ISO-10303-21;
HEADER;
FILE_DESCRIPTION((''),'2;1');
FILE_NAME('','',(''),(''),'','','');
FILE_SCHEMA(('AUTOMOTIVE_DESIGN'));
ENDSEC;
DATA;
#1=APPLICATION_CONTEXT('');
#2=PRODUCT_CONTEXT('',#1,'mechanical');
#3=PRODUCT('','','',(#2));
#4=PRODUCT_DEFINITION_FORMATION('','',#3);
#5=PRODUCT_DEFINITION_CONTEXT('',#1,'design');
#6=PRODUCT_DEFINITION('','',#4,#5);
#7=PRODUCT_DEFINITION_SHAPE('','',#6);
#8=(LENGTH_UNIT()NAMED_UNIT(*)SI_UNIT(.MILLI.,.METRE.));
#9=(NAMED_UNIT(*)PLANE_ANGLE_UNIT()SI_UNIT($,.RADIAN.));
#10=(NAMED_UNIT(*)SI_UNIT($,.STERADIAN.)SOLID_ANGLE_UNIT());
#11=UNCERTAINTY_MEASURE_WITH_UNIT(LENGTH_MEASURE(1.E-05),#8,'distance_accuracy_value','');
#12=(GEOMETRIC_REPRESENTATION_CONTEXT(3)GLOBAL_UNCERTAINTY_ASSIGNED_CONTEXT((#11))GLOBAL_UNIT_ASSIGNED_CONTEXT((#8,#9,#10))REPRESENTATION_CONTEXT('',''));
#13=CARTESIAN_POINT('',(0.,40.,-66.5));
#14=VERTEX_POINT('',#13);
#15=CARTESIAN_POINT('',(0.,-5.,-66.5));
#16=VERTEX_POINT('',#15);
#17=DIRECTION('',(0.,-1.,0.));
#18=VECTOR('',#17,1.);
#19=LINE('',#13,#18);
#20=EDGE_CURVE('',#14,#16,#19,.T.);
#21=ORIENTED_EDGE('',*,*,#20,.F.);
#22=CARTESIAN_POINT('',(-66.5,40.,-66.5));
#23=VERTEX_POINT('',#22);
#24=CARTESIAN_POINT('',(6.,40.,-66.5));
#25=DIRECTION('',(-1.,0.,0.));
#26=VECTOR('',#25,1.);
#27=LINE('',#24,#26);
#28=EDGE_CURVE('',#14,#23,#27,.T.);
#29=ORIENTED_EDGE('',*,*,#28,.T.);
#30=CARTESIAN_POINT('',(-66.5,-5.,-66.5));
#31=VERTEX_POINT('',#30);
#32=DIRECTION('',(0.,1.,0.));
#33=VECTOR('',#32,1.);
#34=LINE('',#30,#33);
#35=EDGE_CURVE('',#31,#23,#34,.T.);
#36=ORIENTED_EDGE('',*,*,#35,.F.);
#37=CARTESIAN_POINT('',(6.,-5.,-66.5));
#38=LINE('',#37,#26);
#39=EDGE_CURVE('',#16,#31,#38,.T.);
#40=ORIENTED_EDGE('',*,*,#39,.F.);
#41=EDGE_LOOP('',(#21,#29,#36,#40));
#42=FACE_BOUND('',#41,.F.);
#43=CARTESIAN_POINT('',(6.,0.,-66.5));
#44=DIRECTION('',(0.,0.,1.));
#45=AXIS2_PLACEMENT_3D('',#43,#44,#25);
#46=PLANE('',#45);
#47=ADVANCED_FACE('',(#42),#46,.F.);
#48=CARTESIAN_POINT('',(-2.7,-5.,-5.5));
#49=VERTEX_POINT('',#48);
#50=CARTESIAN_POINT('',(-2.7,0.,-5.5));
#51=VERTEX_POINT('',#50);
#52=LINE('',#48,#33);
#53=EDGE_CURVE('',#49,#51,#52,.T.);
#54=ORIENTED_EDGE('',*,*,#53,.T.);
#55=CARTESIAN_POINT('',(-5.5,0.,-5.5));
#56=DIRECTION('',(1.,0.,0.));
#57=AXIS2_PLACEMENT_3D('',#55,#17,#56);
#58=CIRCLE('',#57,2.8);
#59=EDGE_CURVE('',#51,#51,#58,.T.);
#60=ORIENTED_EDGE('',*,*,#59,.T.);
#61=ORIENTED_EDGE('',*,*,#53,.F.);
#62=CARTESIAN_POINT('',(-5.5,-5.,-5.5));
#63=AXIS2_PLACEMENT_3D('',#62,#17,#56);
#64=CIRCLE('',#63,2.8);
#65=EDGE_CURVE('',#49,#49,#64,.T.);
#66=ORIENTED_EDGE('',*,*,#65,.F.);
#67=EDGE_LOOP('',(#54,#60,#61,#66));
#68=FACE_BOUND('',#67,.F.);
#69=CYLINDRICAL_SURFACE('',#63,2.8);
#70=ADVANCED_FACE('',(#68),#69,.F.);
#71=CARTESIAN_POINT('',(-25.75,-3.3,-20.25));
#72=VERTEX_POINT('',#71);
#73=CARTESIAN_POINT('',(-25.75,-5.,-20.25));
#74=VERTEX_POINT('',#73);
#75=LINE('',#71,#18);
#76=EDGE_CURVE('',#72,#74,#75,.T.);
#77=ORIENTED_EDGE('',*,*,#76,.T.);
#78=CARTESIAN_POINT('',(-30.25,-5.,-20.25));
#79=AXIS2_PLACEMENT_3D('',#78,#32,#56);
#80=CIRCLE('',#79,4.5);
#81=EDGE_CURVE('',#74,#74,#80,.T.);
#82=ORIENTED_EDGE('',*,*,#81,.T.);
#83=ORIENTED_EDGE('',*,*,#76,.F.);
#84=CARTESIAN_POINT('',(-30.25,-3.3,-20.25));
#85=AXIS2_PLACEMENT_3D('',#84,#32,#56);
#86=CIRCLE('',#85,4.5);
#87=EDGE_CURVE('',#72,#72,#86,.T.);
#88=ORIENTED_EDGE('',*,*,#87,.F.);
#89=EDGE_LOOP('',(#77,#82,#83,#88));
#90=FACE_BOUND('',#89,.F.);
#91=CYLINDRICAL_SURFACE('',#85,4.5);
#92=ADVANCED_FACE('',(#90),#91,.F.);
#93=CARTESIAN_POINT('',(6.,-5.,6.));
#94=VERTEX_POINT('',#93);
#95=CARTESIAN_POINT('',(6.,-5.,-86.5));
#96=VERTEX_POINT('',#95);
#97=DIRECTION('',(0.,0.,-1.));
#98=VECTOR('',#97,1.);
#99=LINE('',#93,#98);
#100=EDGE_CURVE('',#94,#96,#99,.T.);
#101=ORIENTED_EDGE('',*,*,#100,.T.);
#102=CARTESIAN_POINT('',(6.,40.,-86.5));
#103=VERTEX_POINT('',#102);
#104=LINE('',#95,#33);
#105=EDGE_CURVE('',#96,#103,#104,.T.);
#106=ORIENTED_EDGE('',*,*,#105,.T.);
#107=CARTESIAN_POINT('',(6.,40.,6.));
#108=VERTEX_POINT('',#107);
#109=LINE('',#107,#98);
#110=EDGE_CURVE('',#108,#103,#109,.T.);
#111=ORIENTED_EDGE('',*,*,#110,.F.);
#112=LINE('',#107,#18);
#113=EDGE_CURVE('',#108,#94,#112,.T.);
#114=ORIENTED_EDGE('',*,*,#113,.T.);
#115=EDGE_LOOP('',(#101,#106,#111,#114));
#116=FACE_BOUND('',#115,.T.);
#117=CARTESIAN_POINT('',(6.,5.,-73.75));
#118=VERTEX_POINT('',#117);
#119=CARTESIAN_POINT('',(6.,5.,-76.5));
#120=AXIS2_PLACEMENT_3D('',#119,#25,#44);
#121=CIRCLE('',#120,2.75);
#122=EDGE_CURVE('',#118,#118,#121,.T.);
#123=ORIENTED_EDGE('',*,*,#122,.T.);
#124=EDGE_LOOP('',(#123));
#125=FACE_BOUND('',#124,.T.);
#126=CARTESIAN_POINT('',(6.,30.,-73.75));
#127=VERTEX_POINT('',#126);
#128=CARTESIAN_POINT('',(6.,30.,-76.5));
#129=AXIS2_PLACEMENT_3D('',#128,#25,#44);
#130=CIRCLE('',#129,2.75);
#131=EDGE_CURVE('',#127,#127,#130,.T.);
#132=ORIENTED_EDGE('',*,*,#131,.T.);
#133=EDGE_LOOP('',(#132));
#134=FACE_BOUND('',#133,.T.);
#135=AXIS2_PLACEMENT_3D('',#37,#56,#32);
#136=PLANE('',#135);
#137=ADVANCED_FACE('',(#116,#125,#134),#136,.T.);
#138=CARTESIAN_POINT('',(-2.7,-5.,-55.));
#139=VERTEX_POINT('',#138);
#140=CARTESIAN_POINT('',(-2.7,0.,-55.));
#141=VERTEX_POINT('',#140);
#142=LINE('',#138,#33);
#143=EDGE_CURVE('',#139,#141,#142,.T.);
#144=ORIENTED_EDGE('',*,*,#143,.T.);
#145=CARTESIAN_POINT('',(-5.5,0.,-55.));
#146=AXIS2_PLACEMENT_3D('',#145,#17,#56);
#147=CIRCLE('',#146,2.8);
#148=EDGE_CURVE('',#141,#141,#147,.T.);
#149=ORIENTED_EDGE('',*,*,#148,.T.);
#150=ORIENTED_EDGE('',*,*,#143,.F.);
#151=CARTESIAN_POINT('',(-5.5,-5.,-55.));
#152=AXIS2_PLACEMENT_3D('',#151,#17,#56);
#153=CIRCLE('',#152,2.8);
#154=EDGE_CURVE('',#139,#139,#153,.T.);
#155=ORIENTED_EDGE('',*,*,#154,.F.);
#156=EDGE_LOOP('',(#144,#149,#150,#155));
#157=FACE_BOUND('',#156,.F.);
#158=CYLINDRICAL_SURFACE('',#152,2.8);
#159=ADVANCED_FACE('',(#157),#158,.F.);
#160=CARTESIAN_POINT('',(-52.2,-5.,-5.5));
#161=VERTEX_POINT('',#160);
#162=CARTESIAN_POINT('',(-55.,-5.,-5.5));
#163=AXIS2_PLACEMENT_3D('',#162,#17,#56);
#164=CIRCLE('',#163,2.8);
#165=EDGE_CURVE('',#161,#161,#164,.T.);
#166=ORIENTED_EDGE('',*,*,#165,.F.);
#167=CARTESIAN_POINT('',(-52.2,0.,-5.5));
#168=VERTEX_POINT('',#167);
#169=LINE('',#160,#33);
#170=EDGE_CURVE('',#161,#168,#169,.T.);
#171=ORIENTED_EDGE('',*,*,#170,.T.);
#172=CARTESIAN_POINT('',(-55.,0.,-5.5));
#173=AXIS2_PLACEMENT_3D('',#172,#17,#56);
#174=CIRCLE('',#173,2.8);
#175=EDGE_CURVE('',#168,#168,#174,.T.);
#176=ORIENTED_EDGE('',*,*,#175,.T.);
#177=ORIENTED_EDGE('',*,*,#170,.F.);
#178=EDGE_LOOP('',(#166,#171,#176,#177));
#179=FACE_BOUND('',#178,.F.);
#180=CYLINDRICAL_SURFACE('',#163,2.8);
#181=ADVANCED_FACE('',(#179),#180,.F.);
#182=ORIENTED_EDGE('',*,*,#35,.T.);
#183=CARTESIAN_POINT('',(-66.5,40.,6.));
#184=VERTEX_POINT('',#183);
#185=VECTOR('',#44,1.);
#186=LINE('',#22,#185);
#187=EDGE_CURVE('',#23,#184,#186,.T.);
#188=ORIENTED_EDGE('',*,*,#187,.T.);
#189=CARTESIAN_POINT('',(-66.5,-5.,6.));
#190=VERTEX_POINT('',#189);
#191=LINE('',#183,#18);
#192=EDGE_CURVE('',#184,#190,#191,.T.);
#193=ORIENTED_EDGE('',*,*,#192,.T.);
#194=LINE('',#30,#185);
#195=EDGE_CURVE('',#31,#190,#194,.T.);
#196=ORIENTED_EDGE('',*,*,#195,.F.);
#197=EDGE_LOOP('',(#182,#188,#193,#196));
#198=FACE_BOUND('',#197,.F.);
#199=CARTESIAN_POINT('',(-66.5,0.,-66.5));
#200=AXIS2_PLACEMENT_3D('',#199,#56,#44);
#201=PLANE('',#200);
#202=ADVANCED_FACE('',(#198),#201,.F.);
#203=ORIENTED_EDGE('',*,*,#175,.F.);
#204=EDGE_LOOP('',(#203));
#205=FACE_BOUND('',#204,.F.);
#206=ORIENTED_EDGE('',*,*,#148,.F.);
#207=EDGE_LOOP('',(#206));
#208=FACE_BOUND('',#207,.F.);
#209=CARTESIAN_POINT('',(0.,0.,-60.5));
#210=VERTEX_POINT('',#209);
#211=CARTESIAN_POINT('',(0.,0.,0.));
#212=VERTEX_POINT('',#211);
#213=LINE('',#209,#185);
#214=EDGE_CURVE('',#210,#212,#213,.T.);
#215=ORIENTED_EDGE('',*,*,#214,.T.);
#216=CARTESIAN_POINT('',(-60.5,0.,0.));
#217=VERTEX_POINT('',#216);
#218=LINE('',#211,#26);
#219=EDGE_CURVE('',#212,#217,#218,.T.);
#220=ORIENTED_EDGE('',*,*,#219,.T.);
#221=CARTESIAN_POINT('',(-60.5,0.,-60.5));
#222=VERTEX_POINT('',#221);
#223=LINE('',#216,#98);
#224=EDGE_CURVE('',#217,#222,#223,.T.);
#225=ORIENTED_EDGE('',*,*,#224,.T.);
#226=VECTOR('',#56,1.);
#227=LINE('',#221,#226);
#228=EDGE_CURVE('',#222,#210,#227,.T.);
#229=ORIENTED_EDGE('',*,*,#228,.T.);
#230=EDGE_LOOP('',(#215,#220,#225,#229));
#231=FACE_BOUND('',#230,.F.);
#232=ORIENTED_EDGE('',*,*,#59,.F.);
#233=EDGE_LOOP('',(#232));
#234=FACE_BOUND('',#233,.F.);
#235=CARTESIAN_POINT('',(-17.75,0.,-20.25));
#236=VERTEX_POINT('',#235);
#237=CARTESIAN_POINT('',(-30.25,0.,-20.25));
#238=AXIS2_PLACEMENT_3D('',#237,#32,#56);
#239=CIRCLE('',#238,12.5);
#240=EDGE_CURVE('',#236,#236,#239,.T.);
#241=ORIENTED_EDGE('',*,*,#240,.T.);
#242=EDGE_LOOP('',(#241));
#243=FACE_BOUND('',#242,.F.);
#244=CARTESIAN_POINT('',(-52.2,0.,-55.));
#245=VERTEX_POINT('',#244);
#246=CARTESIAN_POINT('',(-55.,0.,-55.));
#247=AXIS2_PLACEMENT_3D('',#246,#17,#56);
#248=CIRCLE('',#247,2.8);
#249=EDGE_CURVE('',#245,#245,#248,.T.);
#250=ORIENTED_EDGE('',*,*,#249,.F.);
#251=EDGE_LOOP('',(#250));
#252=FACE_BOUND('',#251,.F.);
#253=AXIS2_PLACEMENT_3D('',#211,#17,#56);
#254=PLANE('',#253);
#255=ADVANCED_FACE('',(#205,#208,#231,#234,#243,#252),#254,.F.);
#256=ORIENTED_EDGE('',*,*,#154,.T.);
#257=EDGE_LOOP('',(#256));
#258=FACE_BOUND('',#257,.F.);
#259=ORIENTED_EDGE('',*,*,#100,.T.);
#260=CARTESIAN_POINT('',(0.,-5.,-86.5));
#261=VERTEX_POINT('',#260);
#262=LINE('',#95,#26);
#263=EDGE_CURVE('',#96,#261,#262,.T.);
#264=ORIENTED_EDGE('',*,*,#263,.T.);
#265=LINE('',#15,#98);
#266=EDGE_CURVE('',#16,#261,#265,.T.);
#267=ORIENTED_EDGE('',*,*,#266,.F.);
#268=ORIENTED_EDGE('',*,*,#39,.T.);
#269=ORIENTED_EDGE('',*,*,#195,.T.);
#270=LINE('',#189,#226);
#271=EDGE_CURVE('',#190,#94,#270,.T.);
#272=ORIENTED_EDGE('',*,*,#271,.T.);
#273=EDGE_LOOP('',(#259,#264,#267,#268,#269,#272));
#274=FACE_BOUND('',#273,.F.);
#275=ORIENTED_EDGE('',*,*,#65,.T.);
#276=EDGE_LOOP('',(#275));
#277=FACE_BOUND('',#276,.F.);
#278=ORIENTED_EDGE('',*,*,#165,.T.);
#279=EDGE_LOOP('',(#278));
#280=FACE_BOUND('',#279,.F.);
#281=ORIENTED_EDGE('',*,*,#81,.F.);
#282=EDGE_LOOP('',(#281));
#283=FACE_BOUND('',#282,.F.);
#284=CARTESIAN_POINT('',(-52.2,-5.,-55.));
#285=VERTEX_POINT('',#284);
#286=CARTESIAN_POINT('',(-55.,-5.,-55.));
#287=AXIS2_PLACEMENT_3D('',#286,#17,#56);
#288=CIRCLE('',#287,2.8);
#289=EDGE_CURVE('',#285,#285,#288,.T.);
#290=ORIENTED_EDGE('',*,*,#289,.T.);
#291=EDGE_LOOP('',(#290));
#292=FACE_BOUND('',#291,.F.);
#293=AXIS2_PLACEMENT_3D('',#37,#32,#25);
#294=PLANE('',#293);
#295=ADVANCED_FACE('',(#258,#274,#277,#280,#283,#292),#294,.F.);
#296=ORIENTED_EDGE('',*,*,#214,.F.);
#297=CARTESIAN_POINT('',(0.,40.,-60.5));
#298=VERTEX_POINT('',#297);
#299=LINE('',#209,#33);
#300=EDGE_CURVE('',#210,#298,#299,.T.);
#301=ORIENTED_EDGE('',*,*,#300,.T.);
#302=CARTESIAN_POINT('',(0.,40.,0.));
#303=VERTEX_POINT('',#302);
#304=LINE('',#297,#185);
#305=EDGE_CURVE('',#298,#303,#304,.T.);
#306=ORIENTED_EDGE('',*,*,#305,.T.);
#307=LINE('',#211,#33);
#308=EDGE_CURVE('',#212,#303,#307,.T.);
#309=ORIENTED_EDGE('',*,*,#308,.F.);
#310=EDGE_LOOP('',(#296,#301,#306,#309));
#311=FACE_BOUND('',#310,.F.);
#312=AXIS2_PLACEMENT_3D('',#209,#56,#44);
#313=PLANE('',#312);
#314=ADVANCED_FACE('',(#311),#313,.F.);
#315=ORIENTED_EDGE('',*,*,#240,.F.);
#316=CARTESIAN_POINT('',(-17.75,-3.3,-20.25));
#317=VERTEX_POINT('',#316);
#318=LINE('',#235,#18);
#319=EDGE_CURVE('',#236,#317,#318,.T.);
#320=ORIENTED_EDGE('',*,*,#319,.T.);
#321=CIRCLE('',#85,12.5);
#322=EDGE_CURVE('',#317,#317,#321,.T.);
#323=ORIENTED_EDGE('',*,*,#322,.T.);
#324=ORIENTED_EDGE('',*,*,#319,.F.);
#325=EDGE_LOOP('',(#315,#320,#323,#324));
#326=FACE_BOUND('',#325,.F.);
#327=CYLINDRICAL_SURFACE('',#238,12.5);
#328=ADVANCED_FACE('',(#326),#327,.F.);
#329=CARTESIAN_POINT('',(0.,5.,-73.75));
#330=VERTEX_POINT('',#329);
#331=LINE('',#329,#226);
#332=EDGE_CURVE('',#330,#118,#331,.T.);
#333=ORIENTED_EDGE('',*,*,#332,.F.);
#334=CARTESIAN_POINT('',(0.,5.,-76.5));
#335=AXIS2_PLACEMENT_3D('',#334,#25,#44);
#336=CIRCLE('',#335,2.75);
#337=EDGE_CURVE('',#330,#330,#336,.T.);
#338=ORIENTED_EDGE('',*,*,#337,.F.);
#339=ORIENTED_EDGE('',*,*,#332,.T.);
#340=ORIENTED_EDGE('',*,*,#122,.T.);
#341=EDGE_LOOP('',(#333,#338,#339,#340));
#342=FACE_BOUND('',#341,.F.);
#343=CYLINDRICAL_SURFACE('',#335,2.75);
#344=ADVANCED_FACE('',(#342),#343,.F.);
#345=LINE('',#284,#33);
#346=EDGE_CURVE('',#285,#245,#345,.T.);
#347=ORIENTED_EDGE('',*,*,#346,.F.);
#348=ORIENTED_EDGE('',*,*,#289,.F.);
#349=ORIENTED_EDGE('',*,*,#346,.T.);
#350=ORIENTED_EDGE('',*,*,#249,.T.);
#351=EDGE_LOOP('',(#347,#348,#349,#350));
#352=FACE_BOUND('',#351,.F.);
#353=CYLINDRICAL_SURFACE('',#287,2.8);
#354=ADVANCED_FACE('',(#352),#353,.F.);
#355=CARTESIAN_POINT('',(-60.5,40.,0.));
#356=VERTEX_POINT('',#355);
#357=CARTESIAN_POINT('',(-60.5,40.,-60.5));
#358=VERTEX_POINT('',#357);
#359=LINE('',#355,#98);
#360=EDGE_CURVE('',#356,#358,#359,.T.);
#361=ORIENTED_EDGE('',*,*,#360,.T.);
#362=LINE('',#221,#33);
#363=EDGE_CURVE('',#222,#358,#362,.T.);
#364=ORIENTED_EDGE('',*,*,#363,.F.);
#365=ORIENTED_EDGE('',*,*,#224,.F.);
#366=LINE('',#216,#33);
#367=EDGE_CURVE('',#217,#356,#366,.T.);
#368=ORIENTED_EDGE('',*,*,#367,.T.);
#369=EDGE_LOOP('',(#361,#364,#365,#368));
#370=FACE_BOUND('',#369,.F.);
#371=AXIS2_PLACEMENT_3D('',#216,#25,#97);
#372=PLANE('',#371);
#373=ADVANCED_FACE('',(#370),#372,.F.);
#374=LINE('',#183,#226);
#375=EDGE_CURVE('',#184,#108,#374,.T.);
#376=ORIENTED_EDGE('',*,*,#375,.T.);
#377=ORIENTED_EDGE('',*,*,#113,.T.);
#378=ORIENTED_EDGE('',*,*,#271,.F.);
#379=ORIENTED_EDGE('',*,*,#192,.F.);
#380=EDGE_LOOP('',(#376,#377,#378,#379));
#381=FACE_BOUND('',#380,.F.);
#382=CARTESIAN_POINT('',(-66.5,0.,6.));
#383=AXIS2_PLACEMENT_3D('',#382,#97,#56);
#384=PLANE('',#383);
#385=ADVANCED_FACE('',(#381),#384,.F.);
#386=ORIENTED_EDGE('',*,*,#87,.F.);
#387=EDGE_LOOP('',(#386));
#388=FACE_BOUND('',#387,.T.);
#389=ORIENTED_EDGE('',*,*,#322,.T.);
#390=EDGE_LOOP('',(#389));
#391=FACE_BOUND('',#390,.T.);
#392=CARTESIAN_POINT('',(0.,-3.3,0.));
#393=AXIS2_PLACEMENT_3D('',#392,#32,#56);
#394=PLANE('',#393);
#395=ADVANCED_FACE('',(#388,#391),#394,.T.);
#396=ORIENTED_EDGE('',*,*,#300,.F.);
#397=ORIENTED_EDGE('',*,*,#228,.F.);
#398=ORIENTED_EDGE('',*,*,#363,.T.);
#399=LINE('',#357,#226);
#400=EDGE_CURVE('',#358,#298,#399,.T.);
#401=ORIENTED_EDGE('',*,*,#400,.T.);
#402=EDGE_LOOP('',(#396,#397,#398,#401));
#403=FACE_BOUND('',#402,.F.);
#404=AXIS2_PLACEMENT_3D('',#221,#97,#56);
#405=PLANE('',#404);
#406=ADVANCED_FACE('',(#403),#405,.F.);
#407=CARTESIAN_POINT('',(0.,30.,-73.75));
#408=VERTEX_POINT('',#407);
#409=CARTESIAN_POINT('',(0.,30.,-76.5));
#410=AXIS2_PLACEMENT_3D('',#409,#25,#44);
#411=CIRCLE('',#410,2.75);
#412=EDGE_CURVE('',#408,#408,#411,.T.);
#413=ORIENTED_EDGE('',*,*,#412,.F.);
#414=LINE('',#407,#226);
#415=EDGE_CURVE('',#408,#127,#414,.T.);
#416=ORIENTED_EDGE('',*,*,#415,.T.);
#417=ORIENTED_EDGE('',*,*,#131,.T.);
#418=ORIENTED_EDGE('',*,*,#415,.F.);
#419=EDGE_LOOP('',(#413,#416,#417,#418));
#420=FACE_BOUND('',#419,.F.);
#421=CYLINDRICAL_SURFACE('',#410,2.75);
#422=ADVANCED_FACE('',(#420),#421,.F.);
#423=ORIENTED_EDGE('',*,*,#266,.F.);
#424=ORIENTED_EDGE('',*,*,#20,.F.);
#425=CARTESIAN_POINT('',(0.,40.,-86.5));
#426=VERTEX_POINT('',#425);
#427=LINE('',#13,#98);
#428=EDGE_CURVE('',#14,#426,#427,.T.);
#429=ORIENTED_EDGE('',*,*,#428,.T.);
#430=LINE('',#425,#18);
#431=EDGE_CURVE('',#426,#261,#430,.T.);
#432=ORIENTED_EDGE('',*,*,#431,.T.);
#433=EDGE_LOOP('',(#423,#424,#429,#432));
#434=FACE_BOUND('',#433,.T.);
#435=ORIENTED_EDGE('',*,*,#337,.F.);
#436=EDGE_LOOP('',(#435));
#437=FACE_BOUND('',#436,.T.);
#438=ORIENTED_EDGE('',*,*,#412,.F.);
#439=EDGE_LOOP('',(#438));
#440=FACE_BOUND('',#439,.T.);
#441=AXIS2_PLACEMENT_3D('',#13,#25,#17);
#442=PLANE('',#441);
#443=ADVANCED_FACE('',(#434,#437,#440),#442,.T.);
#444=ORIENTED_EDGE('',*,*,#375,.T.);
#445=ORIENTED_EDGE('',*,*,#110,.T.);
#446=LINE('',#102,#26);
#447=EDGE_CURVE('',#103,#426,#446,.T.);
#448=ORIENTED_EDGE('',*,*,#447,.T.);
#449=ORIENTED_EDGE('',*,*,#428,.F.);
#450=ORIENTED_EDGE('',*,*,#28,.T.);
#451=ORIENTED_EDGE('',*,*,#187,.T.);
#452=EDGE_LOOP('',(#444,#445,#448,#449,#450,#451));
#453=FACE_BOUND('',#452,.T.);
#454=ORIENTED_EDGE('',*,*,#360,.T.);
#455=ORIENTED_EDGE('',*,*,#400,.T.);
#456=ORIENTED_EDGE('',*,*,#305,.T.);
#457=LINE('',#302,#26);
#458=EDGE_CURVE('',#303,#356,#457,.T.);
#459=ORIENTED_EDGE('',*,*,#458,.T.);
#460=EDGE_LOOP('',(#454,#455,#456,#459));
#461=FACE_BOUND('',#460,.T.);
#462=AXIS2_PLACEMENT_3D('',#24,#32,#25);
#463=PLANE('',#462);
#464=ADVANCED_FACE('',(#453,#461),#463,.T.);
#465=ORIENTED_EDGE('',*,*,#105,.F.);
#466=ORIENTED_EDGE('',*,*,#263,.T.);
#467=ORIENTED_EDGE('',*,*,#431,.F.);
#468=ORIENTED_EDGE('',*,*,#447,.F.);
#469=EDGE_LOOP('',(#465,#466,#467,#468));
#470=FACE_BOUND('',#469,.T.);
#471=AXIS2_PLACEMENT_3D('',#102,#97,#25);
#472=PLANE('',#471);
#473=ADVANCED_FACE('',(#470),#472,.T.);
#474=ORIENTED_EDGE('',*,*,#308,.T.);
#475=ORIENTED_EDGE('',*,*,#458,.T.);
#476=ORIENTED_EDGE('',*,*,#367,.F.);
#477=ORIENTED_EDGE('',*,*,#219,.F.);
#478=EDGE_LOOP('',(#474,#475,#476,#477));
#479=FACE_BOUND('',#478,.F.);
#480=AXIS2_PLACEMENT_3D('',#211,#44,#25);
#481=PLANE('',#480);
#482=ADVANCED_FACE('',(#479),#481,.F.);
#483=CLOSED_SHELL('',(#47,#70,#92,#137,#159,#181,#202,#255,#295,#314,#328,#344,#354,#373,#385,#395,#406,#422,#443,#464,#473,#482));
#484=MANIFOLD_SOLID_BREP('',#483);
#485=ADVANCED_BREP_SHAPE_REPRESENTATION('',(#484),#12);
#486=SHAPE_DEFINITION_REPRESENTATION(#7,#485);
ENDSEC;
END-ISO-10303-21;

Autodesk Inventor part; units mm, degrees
ref_plane "YZ Plane" through (0, 0, 0) normal (1, 0, 0) x (0, 1, 0)
ref_plane "XZ Plane" through (0, 0, 0) normal (0, 1, 0) x (-1, 0, 0)
ref_plane "XY Plane" through (0, 0, 0) normal (0, 0, 1) x (1, 0, 0)
sketch "Sketch1" plane through (0, 0, 0) normal (0, 1, 0) x (-1, 0, 0)
  line L0 (0, 0) -> (60.5, 0)
  line L1 (60.5, 0) -> (60.5, -60.5)
  line L2 (60.5, -60.5) -> (0, -60.5)
  line L3 (0, -60.5) -> (0, 0)
  line L4 (-6, -66.5) -> (66.5, -66.5)
  line L5 (66.5, -66.5) -> (66.5, 6)
  line L6 (66.5, 6) -> (-6, 6)
  line L7 (-6, 6) -> (-6, -66.5)
  dimension "d0" = 60.5
  dimension "d1" = 60.5
  dimension "d2" = 6
extrude "Extrusion1" add sketch "Sketch1" along normal blind 40
sketch "Sketch2" plane through (0, 0, 0) normal (0, -1, 0) x (1, 0, 0)
  line L0 (-66.5, -60.5) -> (-66.5, 6)
  line L1 (-66.5, 6) -> (6, 6)
  line L2 (6, 6) -> (6, -66.5)
  line L3 (6, -66.5) -> (-66.5, -66.5)
  line L4 (-66.5, -66.5) -> (-66.5, 6)
  point P0 (0, 0)
  point P1 (-63.5, -63.5)
  dimension "d5" = 72.5
  dimension "d6" = 72.5
  dimension "d62" = 6
  dimension "d63" = 6
extrude "Extrusion2" add sketch "Sketch2" along normal blind 5
sketch "Sketch3" plane through (0, -5, 0) normal (0, -1, 0) x (1, 0, 0)
  line L0 (20, -30.25) -> (-80, -30.25) construction
  line L1 (-30.25, 20) -> (-30.25, -80) construction
  circle A0 centre (-55, -5.5) radius 2.8
  circle A1 centre (-5.5, -5.5) radius 2.8
  circle A2 centre (-55, -55) radius 2.8
  circle A3 centre (-5.5, -55) radius 2.8
  point P0 (0, 0)
  dimension "d9" = 100
  dimension "d10" = 30.25
  dimension "d11" = 100
  dimension "d12" = 30.25
  dimension "d13" = 24.75
  dimension "d14" = 24.75
  dimension "d15" = 5.6
  dimension "d18" = 49.5
  dimension "d21" = 49.5
extrude "Extrusion3" cut sketch "Sketch3" against normal blind 5
sketch "Sketch4" plane through (0, 0, 0) normal (0, 1, 0) x (1, 0, 0)
  line L0 (20, 30.25) -> (-80, 30.25) construction
  line L1 (0, 0) -> (-60.5, 0) construction
  line L2 (-30.25, -20) -> (-30.25, 80) construction
  line L3 (0, 60.5) -> (0, 0) construction
  circle A0 centre (-30.25, 20.25) radius 12.5
  dimension "d26" = 100
  dimension "d27" = 30.25
  dimension "d28" = 100
  dimension "d29" = 30.25
  dimension "d30" = 25
  dimension "d31" = 10
extrude "Extrusion4" cut sketch "Sketch4" against normal blind 3.3
sketch "Sketch5" plane through (-30.25, -3.3, -20.25) normal (0, 1, 0) x (1, 0, 0)
  circle A0 centre (0, 0) radius 4.5
  point P0 (30.25, -20.25)
  dimension "d34" = 9
extrude "Extrusion5" cut sketch "Sketch5" against normal blind 2
sketch "Sketch8" plane through (6, 40, -66.5) normal (0, 0, -1) x (-1, 0, 0)
  line L0 (0, 0) -> (72.5, 0) projected
  line L1 (0, -45) -> (72.5, -45) projected
  line L2 (0, 0) -> (6, 0)
  line L3 (6, 0) -> (6, -45)
  line L4 (6, -45) -> (0, -45)
  line L5 (0, -45) -> (0, 0)
  point P0 (6, -40)
  dimension "d64" = 6
extrude "Extrusion8" add sketch "Sketch8" along normal blind 20
sketch "Sketch9" plane through (0, -5, -66.5) normal (-1, 0, 0) x (0, 0, 1)
  circle A0 centre (-10, 10) radius 2.75
  line L0 (-20, 0) -> (-20, 45) projected
  line L1 (0, 0) -> (-20, 0) projected
  circle A1 centre (-10, 35) radius 2.75
  line L2 (0, 45) -> (-20, 45) projected
  point P0 (66.5, 5)
  dimension "d67" = 5.5
  dimension "d68" = 10
  dimension "d69" = 10
  dimension "d70" = 5.5
  dimension "d71" = 10
  dimension "d72" = 10
extrude "Extrusion9" cut sketch "Sketch9" against normal blind 6
properties part number "soporte motor"
